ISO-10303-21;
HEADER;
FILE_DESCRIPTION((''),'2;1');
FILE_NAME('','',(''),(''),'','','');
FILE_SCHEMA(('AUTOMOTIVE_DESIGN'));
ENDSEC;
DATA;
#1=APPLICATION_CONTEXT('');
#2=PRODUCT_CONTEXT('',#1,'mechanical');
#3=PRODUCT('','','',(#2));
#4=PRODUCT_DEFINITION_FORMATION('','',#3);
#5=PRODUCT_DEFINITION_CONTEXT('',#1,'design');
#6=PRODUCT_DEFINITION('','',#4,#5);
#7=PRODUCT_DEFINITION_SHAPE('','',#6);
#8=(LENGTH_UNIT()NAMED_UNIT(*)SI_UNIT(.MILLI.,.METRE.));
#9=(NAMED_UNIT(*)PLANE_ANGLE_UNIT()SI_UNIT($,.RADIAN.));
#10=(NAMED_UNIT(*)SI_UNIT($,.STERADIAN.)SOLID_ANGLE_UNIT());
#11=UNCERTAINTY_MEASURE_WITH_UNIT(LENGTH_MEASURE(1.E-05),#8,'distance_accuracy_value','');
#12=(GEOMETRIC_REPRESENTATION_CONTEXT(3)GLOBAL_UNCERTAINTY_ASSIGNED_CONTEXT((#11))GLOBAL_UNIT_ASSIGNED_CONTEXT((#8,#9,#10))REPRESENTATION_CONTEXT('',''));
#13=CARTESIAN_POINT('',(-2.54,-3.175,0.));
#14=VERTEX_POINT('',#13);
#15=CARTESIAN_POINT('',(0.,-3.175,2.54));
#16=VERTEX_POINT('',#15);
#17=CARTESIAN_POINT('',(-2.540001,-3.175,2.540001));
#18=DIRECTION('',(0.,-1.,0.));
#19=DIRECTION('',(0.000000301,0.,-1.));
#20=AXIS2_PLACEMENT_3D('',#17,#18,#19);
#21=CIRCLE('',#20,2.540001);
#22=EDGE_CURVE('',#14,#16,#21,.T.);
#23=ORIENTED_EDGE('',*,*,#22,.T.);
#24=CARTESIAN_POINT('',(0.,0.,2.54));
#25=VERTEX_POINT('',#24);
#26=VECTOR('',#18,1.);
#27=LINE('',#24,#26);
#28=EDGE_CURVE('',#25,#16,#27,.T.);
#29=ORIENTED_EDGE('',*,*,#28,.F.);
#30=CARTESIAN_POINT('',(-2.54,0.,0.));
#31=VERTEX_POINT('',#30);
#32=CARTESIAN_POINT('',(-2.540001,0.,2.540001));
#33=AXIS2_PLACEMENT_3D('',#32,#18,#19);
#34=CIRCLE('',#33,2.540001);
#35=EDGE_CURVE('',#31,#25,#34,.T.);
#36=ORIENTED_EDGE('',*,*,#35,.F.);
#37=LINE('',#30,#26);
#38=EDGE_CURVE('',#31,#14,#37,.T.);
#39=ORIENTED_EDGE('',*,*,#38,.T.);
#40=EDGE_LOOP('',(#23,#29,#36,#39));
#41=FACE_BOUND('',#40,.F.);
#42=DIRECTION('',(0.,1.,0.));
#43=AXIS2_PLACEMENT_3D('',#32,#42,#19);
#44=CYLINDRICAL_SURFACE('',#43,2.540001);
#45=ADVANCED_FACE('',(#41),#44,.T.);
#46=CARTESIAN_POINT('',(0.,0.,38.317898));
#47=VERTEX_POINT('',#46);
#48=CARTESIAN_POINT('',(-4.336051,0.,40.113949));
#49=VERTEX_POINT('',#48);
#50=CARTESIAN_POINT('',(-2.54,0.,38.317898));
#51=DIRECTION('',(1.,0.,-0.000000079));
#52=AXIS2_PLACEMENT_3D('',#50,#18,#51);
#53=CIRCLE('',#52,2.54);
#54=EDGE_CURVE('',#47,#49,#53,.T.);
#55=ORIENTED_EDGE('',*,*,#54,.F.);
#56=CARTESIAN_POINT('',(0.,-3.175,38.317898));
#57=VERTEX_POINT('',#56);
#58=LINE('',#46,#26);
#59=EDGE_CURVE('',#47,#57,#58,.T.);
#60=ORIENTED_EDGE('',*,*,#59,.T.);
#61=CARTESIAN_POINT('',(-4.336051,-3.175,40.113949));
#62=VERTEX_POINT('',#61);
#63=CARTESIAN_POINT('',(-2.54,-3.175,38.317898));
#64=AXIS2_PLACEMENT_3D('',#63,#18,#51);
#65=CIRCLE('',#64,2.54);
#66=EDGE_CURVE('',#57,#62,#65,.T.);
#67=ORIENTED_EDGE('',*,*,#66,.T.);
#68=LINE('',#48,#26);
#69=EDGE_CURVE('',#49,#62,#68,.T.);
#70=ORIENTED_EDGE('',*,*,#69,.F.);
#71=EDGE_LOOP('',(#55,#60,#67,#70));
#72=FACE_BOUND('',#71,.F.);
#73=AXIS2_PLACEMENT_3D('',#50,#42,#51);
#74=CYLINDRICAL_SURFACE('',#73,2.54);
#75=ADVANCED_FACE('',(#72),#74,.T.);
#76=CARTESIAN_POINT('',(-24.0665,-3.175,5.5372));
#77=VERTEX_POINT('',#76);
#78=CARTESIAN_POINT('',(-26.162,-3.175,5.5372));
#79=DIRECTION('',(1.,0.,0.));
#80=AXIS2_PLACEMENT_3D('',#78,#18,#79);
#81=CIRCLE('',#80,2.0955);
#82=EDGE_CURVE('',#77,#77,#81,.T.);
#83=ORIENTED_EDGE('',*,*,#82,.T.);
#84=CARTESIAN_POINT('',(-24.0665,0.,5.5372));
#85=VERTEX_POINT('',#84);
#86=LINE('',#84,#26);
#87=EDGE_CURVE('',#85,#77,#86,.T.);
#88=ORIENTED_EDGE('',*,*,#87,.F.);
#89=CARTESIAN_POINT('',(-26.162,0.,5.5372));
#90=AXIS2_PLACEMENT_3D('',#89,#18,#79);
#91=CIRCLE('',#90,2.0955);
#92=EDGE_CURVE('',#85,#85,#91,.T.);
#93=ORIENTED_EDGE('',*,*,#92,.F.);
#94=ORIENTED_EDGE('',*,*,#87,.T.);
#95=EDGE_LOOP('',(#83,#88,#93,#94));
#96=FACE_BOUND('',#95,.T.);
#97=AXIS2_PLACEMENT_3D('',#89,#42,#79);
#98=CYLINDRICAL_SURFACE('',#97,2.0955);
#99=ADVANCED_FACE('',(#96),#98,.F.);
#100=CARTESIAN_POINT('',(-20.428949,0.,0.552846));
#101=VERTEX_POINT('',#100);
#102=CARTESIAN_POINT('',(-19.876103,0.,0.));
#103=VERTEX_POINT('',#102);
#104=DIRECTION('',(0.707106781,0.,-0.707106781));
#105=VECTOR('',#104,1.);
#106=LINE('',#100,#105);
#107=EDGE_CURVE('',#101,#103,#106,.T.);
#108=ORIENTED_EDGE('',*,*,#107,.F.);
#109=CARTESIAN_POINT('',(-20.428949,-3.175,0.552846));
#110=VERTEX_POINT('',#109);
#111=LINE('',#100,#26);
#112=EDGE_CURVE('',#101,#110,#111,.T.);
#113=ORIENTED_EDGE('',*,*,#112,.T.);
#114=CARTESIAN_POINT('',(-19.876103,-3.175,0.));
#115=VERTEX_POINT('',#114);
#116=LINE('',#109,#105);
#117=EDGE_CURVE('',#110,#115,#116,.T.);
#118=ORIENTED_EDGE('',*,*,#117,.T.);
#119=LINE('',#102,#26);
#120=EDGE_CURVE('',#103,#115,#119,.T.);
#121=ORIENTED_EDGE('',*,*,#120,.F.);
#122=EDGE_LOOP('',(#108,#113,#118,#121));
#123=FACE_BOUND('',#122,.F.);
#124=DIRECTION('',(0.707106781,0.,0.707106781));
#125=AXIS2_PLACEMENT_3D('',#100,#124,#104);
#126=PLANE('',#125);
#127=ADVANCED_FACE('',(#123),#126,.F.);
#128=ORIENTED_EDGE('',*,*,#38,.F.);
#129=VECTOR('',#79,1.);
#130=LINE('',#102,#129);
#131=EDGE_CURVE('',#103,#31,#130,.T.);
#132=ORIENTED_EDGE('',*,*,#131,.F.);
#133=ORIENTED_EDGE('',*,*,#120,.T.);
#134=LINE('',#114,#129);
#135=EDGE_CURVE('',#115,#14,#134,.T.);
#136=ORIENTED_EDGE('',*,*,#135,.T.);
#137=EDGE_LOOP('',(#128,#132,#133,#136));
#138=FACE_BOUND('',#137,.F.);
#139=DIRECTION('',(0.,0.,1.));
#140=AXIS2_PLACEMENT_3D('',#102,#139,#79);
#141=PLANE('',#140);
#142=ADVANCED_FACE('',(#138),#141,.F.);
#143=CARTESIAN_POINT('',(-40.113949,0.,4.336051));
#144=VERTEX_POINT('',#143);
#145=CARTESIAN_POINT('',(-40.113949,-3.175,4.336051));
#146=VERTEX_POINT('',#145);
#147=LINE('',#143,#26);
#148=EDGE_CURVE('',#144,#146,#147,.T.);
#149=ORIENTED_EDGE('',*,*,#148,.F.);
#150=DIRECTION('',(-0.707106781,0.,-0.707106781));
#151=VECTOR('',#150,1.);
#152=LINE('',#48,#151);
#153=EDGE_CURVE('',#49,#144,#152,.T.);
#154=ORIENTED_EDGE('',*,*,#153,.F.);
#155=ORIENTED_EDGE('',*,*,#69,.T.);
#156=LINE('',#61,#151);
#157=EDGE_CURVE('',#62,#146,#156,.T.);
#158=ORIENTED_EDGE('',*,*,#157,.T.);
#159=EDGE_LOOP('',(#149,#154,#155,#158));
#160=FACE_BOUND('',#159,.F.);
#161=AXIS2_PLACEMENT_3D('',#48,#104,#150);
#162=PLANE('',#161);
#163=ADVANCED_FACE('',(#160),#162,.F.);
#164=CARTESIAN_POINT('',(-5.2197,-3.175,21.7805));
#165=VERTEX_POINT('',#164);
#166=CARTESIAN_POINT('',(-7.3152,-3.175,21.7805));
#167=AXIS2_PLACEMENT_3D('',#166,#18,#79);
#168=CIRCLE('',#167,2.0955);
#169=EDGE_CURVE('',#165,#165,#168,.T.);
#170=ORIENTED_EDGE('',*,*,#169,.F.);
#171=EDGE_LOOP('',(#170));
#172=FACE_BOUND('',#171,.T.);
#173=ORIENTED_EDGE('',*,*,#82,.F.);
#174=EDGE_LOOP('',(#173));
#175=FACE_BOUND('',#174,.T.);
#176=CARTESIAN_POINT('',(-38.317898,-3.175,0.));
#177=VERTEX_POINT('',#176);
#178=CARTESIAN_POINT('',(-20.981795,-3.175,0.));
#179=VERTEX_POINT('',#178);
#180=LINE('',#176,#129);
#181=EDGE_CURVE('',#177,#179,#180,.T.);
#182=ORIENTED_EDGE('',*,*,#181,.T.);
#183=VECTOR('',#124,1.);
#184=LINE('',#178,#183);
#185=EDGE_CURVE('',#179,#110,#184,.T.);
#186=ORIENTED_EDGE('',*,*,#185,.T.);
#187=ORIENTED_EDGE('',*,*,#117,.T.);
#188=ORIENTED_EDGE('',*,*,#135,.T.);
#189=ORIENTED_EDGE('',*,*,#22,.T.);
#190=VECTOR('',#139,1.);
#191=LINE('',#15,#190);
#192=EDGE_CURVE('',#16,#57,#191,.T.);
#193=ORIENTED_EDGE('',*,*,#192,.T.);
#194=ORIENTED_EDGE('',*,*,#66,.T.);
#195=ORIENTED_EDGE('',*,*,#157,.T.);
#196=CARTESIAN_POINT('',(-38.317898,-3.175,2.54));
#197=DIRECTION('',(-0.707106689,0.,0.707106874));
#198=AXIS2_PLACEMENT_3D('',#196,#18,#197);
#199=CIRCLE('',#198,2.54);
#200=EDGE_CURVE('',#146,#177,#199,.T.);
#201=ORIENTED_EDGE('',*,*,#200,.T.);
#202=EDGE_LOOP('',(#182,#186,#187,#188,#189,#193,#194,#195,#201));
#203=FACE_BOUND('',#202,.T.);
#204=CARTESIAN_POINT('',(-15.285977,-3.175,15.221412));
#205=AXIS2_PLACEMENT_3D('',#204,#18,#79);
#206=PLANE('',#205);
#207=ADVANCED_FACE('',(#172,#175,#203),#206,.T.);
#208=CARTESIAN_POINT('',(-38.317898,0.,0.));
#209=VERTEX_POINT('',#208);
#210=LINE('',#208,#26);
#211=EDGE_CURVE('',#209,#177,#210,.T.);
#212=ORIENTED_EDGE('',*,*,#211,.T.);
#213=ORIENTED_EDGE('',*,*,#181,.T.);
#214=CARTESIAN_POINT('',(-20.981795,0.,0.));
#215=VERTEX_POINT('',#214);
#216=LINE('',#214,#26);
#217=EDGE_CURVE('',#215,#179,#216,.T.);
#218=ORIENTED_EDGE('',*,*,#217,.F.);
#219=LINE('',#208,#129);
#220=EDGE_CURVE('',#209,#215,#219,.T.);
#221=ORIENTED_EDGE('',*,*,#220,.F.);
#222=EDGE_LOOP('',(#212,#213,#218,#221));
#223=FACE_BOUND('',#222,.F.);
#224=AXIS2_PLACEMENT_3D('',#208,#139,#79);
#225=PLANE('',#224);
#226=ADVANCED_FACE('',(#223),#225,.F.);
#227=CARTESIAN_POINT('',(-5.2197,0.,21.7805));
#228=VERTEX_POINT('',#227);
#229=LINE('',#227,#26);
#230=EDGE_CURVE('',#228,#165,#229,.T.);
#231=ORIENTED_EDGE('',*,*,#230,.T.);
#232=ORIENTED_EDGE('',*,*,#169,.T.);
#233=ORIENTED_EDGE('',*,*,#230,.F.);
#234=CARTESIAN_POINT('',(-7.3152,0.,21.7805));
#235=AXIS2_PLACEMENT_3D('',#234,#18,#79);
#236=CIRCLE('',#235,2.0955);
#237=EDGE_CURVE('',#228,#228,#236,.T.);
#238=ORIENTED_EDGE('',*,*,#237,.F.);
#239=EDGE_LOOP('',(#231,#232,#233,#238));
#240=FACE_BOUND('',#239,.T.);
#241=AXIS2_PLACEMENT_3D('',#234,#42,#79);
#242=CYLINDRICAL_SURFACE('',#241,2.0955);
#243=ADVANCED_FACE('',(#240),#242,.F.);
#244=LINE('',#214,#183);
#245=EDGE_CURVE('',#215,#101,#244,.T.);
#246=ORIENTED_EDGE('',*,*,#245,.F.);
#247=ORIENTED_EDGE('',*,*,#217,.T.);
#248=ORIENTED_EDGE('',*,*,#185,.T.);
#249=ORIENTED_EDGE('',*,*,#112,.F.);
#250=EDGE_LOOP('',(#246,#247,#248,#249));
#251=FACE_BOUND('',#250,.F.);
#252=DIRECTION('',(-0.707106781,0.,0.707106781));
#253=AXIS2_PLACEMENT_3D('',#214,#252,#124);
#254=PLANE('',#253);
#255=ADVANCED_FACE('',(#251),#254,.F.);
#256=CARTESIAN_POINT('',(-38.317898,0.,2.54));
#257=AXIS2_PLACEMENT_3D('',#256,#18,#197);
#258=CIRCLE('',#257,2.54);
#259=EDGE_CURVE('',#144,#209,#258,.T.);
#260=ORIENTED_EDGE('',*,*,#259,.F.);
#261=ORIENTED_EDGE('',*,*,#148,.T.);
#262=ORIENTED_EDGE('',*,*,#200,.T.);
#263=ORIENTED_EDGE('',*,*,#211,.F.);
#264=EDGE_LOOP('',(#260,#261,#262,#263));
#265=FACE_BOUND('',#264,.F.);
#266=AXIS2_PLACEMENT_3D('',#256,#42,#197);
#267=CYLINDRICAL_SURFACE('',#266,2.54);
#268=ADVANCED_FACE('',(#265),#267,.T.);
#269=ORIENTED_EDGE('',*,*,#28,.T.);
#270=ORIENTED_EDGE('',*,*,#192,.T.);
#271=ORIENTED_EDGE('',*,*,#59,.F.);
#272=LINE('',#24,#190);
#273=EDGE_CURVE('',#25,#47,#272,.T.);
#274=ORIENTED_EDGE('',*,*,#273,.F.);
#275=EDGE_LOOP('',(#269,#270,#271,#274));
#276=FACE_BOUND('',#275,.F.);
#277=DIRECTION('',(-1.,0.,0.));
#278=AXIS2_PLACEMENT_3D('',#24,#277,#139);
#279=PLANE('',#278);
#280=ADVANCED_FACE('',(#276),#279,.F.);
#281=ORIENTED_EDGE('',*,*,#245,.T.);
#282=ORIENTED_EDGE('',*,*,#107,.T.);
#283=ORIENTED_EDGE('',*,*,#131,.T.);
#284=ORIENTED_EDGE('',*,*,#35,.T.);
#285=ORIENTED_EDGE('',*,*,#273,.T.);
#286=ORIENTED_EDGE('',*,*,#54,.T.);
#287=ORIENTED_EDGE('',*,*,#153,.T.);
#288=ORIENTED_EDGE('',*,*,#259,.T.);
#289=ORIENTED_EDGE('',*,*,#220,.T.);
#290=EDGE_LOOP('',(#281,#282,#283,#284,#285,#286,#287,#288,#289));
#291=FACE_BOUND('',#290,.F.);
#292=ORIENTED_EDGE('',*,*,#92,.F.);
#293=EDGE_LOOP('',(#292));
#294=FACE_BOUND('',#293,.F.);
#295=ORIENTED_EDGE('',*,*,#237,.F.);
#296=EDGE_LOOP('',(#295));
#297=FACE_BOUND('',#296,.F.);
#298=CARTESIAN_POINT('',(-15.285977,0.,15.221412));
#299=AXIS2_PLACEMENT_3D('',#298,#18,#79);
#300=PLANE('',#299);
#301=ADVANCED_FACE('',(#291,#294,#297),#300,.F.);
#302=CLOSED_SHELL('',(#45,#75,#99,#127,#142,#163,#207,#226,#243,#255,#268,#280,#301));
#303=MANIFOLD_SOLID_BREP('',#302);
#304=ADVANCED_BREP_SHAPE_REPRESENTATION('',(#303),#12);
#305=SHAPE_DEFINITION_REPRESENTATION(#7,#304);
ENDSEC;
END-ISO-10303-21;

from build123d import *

# Parameters (mm, degrees)
F0_R     = 2.0955
F1_DEPTH = 3.175


with BuildPart() as f1:
    # F0 (on Front) → F1 (new body)
    with BuildSketch(Plane.XZ):
        with BuildLine():
            ThreePointArc((-2.54, 0), (-0.743949, 0.743949), (0, 2.54))
            Line((0, 2.54), (0, 38.317898))
            ThreePointArc((0, 38.317898), (-1.567984, 40.664552), (-4.336051, 40.113949))
            Line((-4.336051, 40.113949), (-40.113949, 4.336051))
            ThreePointArc((-40.113949, 4.336051), (-40.664552, 1.567984), (-38.317898, 0))
            Line((-38.317898, 0), (-20.981795, 0))
            Line((-20.981795, 0), (-20.428949, 0.552846))
            Line((-20.428949, 0.552846), (-19.876103, 0))
            Line((-19.876103, 0), (-2.54, 0))
        make_face()
        with Locations((-26.162, 5.5372)):
            Circle(F0_R, mode=Mode.SUBTRACT)
        with Locations((-7.3152, 21.7805)):
            Circle(F0_R, mode=Mode.SUBTRACT)
    extrude(amount=F1_DEPTH)


solid = f1.part
